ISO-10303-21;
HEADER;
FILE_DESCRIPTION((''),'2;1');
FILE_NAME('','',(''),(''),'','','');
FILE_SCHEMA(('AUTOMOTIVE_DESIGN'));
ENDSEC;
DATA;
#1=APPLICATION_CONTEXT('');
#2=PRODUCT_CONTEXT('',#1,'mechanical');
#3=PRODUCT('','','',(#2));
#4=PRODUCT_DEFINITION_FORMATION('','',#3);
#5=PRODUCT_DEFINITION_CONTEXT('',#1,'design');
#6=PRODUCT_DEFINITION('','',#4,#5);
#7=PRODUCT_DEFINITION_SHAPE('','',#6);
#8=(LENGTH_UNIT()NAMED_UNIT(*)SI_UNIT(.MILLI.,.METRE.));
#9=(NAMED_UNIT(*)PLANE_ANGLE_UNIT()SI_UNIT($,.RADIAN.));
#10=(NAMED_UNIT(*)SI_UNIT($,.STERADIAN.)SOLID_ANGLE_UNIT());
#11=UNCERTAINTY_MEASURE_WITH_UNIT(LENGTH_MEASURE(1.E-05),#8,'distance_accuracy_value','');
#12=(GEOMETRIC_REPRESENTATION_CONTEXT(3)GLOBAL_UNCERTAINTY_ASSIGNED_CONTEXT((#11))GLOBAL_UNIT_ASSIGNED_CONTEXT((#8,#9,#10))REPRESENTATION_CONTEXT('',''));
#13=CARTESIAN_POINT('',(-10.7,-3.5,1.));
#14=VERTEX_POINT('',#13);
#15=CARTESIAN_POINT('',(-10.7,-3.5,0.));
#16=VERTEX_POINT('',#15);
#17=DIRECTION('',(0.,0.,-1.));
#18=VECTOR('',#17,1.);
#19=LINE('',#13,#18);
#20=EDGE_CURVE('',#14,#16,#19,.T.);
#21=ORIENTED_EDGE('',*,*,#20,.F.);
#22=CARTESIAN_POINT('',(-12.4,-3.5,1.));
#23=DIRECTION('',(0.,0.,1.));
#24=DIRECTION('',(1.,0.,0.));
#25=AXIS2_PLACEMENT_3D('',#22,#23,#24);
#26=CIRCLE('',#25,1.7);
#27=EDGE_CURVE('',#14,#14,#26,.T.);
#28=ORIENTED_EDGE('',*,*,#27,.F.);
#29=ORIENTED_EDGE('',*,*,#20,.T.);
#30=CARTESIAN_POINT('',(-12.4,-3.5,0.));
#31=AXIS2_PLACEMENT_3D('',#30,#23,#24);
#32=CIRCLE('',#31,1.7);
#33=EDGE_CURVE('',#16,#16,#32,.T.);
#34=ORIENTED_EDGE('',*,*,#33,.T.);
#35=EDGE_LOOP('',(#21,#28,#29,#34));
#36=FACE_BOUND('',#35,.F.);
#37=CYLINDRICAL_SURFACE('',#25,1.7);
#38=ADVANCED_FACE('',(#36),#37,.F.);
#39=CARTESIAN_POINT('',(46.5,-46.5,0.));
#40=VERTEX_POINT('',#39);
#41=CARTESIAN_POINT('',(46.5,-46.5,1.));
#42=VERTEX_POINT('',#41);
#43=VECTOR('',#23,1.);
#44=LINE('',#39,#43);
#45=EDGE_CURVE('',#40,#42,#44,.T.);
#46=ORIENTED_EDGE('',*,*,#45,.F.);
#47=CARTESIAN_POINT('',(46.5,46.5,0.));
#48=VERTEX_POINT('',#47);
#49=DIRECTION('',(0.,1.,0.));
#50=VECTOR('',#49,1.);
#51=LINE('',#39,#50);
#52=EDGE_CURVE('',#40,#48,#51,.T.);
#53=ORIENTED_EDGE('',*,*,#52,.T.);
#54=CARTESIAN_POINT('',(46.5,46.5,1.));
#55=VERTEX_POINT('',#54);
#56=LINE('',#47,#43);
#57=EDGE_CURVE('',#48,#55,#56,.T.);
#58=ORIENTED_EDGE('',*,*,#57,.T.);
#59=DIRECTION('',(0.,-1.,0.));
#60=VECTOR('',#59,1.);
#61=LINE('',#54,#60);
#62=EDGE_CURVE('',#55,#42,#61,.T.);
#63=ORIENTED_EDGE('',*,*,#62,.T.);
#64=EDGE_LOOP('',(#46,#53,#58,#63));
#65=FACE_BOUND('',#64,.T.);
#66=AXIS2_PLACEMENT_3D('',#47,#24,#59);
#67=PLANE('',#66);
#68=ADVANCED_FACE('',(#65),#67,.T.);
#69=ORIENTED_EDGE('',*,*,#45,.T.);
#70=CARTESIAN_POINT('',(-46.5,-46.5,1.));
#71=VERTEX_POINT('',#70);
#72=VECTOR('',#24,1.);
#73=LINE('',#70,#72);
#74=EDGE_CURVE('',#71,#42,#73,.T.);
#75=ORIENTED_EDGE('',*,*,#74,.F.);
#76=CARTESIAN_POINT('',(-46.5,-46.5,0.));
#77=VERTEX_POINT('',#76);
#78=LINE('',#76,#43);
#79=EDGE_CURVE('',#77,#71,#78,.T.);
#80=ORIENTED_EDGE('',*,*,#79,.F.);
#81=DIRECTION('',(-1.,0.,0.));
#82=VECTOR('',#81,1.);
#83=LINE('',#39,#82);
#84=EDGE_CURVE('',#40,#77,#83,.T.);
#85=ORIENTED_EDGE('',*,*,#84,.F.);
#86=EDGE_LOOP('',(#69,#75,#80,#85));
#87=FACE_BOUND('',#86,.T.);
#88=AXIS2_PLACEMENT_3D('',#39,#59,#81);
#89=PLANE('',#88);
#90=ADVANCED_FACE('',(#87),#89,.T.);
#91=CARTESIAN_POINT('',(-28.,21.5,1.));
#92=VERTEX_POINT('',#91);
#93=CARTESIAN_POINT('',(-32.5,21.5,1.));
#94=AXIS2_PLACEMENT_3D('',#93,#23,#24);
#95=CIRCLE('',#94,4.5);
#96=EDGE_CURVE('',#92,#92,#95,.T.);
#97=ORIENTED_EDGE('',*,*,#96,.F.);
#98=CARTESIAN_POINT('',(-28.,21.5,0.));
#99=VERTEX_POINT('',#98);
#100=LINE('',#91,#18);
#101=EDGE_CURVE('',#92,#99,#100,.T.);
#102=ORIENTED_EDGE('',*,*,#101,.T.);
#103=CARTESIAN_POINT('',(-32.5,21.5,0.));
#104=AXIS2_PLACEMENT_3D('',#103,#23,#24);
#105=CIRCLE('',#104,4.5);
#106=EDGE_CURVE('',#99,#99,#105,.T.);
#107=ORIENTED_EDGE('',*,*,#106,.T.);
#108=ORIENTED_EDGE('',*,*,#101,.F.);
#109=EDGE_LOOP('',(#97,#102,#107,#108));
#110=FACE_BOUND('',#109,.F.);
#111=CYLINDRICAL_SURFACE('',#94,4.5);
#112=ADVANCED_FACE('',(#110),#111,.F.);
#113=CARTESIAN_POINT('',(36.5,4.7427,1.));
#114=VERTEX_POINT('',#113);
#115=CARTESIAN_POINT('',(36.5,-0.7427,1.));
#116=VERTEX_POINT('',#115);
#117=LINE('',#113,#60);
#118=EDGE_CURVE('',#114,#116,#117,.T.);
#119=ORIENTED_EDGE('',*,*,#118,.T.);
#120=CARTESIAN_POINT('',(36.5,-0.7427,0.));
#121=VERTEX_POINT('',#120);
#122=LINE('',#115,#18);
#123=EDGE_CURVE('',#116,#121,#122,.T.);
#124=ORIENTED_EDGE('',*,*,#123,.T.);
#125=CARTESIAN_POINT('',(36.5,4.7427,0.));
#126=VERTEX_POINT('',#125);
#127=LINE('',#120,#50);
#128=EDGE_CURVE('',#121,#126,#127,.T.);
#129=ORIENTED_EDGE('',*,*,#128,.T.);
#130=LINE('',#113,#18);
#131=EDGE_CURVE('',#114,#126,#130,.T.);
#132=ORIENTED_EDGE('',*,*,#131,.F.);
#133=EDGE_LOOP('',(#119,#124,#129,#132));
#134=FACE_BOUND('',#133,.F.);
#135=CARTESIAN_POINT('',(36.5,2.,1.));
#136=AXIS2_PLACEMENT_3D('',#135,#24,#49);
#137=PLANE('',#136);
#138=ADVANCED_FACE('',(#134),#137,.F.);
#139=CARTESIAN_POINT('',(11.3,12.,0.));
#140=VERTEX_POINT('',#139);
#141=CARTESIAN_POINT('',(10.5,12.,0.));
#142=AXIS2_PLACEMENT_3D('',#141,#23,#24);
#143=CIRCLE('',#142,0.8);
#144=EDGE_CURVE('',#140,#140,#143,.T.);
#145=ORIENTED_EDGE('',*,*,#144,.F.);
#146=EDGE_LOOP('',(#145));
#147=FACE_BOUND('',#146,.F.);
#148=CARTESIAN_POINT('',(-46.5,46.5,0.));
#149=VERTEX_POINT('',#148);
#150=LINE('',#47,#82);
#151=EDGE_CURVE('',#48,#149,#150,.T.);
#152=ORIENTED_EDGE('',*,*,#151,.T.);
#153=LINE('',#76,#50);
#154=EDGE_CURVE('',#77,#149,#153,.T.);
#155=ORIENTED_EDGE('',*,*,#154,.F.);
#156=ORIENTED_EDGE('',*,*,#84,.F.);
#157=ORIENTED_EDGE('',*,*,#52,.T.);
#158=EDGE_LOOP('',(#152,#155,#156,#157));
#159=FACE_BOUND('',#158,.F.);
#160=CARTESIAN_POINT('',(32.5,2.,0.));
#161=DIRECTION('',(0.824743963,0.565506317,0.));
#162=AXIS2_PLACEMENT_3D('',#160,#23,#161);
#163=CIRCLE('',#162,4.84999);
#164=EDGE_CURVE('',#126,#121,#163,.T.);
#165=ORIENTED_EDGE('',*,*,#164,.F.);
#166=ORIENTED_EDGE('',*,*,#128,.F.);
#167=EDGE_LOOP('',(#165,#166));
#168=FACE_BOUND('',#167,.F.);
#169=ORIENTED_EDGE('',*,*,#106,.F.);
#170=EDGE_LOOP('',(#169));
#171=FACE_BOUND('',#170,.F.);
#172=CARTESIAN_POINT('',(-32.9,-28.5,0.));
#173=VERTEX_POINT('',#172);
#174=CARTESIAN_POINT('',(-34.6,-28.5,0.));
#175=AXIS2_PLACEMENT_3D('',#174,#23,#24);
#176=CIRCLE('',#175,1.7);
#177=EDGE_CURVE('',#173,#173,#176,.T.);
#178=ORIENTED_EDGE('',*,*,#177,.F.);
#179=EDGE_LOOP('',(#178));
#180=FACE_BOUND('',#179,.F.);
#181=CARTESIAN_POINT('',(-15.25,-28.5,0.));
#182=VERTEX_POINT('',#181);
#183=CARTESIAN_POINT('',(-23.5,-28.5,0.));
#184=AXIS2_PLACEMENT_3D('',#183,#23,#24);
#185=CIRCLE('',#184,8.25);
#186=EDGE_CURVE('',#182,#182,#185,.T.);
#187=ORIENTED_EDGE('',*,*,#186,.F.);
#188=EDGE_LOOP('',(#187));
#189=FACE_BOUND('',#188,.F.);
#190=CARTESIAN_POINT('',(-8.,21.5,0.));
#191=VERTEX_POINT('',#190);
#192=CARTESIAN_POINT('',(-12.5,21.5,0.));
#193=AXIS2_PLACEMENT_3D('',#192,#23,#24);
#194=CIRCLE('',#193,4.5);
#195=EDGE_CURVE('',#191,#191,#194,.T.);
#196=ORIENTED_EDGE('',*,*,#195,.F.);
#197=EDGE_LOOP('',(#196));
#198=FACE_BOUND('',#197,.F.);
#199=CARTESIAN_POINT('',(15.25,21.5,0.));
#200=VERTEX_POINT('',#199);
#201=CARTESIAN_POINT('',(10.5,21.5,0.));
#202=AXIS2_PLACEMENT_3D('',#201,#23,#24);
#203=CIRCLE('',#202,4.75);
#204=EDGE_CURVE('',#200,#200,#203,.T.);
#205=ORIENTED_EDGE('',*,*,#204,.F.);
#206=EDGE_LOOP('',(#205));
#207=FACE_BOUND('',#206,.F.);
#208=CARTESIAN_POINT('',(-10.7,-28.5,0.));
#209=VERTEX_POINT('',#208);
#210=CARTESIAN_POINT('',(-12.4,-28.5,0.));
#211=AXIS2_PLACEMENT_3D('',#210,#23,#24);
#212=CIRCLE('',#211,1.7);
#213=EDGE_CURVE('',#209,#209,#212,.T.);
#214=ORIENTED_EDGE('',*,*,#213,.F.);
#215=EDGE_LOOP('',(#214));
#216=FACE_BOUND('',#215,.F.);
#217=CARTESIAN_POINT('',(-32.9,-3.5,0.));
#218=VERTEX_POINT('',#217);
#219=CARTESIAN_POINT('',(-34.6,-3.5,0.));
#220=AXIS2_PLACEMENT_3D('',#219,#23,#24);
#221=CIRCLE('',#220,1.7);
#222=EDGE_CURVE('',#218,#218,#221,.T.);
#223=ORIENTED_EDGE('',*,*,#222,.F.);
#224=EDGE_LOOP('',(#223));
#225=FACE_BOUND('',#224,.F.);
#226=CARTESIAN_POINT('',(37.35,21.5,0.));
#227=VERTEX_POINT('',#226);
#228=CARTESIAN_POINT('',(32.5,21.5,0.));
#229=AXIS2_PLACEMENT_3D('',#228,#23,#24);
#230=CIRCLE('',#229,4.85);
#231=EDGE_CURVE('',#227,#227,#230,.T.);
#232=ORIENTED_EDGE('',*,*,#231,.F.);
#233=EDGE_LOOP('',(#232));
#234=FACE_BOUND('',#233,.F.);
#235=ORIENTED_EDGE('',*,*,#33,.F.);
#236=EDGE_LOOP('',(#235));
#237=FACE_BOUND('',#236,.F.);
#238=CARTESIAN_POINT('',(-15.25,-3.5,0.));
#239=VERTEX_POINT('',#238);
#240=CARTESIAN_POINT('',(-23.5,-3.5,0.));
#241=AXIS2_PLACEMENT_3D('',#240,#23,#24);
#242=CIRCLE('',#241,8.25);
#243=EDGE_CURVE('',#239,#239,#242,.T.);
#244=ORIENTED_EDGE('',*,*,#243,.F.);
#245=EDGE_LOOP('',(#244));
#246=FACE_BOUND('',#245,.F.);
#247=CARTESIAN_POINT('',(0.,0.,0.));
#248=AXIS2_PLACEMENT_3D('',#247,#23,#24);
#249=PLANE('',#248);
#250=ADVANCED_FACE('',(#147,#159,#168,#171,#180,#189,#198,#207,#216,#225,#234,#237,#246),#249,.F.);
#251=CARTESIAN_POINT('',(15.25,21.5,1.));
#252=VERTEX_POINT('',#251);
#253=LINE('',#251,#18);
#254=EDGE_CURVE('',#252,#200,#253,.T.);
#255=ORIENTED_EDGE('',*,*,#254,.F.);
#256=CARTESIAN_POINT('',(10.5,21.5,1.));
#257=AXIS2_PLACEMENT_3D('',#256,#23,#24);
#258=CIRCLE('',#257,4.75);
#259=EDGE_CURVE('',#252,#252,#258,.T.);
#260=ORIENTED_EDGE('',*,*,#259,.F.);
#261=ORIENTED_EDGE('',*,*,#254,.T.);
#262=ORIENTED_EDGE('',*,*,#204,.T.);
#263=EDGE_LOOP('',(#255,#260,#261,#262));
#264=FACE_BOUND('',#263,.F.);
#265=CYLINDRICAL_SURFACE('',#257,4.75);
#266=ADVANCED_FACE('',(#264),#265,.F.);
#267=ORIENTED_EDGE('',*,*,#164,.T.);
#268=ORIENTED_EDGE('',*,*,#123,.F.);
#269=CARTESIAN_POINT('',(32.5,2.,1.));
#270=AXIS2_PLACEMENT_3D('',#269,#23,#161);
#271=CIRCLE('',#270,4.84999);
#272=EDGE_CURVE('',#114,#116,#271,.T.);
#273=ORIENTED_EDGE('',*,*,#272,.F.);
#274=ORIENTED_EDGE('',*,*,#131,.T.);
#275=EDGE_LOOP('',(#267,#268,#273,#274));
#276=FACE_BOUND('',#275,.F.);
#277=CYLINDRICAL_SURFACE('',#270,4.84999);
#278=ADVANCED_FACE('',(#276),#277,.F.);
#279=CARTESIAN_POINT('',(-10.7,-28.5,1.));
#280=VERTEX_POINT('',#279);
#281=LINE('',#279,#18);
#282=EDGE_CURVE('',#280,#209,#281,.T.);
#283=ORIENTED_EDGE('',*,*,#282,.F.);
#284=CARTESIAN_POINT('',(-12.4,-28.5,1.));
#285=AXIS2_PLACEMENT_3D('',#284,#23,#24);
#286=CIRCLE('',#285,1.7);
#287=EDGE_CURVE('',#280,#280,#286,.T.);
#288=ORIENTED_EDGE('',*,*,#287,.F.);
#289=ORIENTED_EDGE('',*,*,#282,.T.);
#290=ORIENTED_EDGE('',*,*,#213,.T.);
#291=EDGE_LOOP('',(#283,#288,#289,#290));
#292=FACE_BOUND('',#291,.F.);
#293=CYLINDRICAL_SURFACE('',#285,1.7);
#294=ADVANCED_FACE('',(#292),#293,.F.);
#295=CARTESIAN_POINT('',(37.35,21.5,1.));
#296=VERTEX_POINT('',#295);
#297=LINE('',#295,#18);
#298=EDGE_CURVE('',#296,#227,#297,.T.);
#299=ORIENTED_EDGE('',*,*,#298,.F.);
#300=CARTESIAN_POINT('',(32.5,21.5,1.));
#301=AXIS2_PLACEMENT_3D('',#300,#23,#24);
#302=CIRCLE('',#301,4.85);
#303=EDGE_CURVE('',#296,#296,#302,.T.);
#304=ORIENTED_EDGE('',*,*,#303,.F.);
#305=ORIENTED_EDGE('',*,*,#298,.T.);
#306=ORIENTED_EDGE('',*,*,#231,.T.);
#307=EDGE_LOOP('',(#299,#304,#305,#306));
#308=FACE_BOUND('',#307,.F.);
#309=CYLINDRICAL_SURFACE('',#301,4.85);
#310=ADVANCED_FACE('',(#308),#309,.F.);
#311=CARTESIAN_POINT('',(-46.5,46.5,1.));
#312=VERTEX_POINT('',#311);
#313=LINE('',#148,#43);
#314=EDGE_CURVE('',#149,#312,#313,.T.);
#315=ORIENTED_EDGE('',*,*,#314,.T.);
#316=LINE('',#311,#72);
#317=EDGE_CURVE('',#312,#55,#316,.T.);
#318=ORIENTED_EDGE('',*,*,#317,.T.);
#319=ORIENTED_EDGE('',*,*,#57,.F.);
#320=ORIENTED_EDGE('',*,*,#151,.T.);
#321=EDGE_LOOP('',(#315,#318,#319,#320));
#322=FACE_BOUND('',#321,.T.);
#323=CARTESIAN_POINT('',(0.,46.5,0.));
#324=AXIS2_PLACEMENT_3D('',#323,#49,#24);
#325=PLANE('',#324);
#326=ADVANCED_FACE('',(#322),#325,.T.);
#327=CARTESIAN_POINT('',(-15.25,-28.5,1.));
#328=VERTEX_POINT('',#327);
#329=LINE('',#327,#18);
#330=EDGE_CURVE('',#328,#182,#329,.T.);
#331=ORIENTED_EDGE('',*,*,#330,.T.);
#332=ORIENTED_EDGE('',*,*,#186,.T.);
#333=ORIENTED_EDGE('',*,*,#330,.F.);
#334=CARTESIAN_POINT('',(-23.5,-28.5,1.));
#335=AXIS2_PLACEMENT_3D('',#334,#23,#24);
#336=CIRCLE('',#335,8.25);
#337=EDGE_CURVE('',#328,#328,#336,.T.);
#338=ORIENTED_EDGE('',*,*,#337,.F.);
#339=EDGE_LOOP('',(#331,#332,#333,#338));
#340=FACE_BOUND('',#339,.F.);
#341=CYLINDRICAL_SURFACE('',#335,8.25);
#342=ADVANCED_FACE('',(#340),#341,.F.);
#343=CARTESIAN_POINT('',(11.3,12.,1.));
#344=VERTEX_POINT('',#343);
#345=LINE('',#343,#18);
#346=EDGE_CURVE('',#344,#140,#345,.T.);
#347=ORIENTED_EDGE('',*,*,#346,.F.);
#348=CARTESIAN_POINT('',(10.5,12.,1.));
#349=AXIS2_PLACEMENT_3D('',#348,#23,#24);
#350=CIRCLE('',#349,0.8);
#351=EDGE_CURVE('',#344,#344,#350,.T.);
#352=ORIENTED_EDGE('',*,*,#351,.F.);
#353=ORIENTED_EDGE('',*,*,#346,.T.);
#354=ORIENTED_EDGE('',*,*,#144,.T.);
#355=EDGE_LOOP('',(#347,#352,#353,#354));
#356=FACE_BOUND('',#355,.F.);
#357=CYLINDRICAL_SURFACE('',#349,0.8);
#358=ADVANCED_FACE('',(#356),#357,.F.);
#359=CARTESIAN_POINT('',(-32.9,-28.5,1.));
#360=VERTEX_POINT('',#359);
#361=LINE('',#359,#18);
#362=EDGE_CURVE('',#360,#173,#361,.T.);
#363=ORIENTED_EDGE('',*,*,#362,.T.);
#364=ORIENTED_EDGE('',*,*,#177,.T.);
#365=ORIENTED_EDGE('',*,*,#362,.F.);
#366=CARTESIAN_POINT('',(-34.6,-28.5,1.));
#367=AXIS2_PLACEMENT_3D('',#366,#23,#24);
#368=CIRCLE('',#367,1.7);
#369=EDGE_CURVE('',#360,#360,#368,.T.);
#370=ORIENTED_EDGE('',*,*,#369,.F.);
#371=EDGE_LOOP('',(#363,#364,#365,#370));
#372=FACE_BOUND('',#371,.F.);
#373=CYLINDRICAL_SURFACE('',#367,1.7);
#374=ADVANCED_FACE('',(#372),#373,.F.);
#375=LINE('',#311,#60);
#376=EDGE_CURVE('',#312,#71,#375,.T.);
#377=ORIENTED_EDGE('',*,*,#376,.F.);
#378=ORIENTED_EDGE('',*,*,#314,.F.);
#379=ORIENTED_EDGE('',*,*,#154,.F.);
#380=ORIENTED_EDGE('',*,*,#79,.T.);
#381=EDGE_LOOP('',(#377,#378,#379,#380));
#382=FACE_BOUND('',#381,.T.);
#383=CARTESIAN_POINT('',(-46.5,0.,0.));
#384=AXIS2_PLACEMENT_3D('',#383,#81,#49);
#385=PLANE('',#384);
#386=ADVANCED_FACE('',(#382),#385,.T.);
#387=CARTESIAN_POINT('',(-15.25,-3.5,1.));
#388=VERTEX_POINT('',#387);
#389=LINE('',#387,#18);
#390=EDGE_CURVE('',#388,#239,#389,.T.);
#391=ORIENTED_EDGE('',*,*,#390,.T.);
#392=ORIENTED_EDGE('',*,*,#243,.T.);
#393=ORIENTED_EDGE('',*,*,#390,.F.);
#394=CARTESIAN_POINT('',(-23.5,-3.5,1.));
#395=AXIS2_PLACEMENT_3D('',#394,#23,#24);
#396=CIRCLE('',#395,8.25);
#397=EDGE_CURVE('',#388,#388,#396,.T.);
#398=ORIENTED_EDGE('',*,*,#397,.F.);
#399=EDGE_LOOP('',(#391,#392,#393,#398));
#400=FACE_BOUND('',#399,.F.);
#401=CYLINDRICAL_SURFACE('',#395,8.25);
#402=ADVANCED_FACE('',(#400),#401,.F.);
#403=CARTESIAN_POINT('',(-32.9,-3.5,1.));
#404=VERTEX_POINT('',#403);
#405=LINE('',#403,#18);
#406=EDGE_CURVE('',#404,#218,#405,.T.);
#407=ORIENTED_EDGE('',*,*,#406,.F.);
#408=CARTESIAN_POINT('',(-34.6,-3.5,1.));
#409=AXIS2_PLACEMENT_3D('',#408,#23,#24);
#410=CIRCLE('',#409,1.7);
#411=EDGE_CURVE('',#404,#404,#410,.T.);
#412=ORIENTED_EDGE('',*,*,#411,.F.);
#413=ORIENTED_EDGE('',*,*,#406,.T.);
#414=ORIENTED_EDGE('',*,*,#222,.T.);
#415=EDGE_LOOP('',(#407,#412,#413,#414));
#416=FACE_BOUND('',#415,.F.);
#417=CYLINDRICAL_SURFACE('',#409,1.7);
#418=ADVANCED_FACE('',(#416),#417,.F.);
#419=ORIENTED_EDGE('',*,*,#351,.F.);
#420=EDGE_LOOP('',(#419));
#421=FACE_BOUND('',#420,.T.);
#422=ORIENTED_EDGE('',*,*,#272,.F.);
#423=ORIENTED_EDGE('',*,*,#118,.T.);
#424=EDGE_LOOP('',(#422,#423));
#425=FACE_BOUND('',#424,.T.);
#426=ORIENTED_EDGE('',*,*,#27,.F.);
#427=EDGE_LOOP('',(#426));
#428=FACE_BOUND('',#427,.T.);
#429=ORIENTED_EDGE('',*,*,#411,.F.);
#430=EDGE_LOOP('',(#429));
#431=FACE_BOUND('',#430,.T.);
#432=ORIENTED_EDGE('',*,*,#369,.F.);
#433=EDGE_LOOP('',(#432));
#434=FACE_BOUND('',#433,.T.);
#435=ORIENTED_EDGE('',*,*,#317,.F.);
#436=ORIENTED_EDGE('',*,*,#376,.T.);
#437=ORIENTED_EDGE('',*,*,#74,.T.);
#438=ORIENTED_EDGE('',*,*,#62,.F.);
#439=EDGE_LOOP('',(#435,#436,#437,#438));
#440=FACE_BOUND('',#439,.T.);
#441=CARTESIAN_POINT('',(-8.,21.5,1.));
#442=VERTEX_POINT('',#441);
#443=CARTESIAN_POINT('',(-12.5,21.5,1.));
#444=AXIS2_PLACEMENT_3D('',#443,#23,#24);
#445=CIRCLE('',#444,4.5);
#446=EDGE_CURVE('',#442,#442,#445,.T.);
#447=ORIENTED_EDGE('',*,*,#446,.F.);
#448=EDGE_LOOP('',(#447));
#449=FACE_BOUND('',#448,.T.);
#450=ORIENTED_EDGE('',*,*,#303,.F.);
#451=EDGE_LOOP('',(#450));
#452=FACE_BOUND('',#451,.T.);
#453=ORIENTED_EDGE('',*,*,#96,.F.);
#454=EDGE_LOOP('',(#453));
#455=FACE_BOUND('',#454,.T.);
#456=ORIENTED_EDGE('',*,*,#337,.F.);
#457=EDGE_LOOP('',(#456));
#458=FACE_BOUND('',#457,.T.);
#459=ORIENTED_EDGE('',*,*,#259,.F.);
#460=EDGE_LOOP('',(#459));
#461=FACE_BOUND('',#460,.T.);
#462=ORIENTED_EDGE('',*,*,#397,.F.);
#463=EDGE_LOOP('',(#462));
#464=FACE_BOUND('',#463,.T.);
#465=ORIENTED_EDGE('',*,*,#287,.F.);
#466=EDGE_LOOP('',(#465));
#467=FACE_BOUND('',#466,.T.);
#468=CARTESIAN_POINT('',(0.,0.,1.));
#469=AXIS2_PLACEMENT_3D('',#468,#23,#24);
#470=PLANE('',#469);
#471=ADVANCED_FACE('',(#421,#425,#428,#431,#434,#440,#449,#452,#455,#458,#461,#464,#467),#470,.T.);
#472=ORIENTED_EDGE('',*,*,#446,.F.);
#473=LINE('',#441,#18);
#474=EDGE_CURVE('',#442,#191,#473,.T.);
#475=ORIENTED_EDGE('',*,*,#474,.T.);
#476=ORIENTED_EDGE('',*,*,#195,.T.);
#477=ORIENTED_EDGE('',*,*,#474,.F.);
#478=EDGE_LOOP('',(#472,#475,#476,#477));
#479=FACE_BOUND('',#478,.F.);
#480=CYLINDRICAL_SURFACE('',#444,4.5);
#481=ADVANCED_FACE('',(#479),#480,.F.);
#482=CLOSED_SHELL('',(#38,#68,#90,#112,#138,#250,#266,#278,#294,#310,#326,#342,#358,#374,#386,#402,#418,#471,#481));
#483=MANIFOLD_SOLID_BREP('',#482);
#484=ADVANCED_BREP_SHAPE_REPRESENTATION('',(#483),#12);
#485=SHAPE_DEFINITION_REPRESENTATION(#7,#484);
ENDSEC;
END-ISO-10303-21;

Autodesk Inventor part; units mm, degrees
ref_plane "YZ Plane" through (0, 0, 0) normal (1, 0, 0) x (0, 1, 0)
ref_plane "XZ Plane" through (0, 0, 0) normal (0, 1, 0) x (-1, 0, 0)
ref_plane "XY Plane" through (0, 0, 0) normal (0, 0, 1) x (1, 0, 0)
sketch "Sketch1" plane through (0, 0, 0) normal (0, 0, 1) x (1, 0, 0)
  line L0 (0, 46.5) -> (46.5, 46.5)
  line L1 (46.5, 46.5) -> (46.5, 0)
  line L2 (46.5, 0) -> (46.5, -46.5)
  line L3 (46.5, -46.5) -> (0, -46.5)
  line L4 (0, -46.5) -> (-46.5, -46.5)
  line L5 (-46.5, -46.5) -> (-46.5, 0)
  line L6 (-46.5, 0) -> (-46.5, 46.5)
  line L7 (-46.5, 46.5) -> (0, 46.5)
  point P0 (0, 0)
  dimension "d82" = 46.5
  dimension "d83" = 46.5
  dimension "d84" = 93
  dimension "d85" = 93
extrude "Plate" add sketch "Sketch1" along normal blind 1
sketch "Sketch2" plane through (0, 0, 1) normal (0, 0, 1) x (1, 0, 0)
  circle A0 centre (-23.5, -28.5) radius 8.25
  circle A1 centre (-12.4, -28.5) radius 1.7
  circle A2 centre (-34.6, -28.5) radius 1.7
  line L0 (-46.5, 46.5) -> (-46.5, -46.5) projected
  line L1 (-46.5, -46.5) -> (46.5, -46.5) projected
  point P0 (0, 0)
  dimension "d6" = 16.5
  dimension "d8" = 3.4
  dimension "d29" = 11.1
  dimension "d30" = 11.1
  dimension "d93" = 23
  dimension "d94" = 18
extrude "DIN hole" cut sketch "Sketch2" against normal through all
pattern_linear "Rectangular Pattern1" count 2 spacing 25 along (0, 1, 0) of "DIN hole"
sketch "Sketch4" plane through (0, 0, 1) normal (0, 0, 1) x (1, 0, 0)
  circle A0 centre (-23.5, -28.5) radius 8.25 projected
  point P0 (0, 0)
sketch "Sketch5" plane through (0, 0, 1) normal (0, 0, 1) x (1, 0, 0)
  line L0 (46.5, 46.5) -> (-46.5, 46.5) projected
  line L1 (-46.5, 46.5) -> (-46.5, -46.5) projected
  circle A0 centre (-32.5, 21.5) radius 4.5
  point P0 (0, 0)
  dimension "d90" = 9
  dimension "d91" = 14
  dimension "d92" = 25
extrude "LED" cut sketch "Sketch5" along normal through all both and the other way through all
pattern_linear "Rectangular Pattern3" count 2 spacing 20 along (1, 0, 0) of "LED"
sketch "Sketch6" plane through (0, 0, 1) normal (0, 0, 1) x (1, 0, 0)
  circle A0 centre (32.5, 21.5) radius 4.85
  point P0 (-26.5, 37.5)
  point P1 (0, 0)
  dimension "d61" = 9.7
extrude "BNCs" cut sketch "Sketch6" along normal through all both and the other way through all
sketch "Sketch7" plane through (0, 0, 1) normal (0, 0, 1) x (1, 0, 0)
  circle A0 centre (32.5, 21.5) radius 4.85 projected
  circle A1 centre (10.5, 21.5) radius 4.75
  circle A2 centre (10.5, 12) radius 0.8
  point P0 (0, 0)
  dimension "d70" = 9.5
  dimension "d71" = 1.6
  dimension "d72" = 9.5
  dimension "d73" = 22
extrude "Extrusion9" cut sketch "Sketch7" against normal blind 1 contours A1 | A2
sketch "Sketch8" plane through (0, 0, 1) normal (0, 0, 1) x (1, 0, 0)
  arc A0 (36.5, 4.7427) -> (36.5, -0.7427) centre (32.5, 2) ccw
  line L0 (36.5, 2) -> (36.5, -0.7427)
  line L1 (36.5, 2) -> (36.5, 4.7427)
  point P0 (0, 0)
extrude "Extrusion10" cut sketch "Sketch8" against normal blind 10
properties part number "AmplifierPowerSupplyNew"
